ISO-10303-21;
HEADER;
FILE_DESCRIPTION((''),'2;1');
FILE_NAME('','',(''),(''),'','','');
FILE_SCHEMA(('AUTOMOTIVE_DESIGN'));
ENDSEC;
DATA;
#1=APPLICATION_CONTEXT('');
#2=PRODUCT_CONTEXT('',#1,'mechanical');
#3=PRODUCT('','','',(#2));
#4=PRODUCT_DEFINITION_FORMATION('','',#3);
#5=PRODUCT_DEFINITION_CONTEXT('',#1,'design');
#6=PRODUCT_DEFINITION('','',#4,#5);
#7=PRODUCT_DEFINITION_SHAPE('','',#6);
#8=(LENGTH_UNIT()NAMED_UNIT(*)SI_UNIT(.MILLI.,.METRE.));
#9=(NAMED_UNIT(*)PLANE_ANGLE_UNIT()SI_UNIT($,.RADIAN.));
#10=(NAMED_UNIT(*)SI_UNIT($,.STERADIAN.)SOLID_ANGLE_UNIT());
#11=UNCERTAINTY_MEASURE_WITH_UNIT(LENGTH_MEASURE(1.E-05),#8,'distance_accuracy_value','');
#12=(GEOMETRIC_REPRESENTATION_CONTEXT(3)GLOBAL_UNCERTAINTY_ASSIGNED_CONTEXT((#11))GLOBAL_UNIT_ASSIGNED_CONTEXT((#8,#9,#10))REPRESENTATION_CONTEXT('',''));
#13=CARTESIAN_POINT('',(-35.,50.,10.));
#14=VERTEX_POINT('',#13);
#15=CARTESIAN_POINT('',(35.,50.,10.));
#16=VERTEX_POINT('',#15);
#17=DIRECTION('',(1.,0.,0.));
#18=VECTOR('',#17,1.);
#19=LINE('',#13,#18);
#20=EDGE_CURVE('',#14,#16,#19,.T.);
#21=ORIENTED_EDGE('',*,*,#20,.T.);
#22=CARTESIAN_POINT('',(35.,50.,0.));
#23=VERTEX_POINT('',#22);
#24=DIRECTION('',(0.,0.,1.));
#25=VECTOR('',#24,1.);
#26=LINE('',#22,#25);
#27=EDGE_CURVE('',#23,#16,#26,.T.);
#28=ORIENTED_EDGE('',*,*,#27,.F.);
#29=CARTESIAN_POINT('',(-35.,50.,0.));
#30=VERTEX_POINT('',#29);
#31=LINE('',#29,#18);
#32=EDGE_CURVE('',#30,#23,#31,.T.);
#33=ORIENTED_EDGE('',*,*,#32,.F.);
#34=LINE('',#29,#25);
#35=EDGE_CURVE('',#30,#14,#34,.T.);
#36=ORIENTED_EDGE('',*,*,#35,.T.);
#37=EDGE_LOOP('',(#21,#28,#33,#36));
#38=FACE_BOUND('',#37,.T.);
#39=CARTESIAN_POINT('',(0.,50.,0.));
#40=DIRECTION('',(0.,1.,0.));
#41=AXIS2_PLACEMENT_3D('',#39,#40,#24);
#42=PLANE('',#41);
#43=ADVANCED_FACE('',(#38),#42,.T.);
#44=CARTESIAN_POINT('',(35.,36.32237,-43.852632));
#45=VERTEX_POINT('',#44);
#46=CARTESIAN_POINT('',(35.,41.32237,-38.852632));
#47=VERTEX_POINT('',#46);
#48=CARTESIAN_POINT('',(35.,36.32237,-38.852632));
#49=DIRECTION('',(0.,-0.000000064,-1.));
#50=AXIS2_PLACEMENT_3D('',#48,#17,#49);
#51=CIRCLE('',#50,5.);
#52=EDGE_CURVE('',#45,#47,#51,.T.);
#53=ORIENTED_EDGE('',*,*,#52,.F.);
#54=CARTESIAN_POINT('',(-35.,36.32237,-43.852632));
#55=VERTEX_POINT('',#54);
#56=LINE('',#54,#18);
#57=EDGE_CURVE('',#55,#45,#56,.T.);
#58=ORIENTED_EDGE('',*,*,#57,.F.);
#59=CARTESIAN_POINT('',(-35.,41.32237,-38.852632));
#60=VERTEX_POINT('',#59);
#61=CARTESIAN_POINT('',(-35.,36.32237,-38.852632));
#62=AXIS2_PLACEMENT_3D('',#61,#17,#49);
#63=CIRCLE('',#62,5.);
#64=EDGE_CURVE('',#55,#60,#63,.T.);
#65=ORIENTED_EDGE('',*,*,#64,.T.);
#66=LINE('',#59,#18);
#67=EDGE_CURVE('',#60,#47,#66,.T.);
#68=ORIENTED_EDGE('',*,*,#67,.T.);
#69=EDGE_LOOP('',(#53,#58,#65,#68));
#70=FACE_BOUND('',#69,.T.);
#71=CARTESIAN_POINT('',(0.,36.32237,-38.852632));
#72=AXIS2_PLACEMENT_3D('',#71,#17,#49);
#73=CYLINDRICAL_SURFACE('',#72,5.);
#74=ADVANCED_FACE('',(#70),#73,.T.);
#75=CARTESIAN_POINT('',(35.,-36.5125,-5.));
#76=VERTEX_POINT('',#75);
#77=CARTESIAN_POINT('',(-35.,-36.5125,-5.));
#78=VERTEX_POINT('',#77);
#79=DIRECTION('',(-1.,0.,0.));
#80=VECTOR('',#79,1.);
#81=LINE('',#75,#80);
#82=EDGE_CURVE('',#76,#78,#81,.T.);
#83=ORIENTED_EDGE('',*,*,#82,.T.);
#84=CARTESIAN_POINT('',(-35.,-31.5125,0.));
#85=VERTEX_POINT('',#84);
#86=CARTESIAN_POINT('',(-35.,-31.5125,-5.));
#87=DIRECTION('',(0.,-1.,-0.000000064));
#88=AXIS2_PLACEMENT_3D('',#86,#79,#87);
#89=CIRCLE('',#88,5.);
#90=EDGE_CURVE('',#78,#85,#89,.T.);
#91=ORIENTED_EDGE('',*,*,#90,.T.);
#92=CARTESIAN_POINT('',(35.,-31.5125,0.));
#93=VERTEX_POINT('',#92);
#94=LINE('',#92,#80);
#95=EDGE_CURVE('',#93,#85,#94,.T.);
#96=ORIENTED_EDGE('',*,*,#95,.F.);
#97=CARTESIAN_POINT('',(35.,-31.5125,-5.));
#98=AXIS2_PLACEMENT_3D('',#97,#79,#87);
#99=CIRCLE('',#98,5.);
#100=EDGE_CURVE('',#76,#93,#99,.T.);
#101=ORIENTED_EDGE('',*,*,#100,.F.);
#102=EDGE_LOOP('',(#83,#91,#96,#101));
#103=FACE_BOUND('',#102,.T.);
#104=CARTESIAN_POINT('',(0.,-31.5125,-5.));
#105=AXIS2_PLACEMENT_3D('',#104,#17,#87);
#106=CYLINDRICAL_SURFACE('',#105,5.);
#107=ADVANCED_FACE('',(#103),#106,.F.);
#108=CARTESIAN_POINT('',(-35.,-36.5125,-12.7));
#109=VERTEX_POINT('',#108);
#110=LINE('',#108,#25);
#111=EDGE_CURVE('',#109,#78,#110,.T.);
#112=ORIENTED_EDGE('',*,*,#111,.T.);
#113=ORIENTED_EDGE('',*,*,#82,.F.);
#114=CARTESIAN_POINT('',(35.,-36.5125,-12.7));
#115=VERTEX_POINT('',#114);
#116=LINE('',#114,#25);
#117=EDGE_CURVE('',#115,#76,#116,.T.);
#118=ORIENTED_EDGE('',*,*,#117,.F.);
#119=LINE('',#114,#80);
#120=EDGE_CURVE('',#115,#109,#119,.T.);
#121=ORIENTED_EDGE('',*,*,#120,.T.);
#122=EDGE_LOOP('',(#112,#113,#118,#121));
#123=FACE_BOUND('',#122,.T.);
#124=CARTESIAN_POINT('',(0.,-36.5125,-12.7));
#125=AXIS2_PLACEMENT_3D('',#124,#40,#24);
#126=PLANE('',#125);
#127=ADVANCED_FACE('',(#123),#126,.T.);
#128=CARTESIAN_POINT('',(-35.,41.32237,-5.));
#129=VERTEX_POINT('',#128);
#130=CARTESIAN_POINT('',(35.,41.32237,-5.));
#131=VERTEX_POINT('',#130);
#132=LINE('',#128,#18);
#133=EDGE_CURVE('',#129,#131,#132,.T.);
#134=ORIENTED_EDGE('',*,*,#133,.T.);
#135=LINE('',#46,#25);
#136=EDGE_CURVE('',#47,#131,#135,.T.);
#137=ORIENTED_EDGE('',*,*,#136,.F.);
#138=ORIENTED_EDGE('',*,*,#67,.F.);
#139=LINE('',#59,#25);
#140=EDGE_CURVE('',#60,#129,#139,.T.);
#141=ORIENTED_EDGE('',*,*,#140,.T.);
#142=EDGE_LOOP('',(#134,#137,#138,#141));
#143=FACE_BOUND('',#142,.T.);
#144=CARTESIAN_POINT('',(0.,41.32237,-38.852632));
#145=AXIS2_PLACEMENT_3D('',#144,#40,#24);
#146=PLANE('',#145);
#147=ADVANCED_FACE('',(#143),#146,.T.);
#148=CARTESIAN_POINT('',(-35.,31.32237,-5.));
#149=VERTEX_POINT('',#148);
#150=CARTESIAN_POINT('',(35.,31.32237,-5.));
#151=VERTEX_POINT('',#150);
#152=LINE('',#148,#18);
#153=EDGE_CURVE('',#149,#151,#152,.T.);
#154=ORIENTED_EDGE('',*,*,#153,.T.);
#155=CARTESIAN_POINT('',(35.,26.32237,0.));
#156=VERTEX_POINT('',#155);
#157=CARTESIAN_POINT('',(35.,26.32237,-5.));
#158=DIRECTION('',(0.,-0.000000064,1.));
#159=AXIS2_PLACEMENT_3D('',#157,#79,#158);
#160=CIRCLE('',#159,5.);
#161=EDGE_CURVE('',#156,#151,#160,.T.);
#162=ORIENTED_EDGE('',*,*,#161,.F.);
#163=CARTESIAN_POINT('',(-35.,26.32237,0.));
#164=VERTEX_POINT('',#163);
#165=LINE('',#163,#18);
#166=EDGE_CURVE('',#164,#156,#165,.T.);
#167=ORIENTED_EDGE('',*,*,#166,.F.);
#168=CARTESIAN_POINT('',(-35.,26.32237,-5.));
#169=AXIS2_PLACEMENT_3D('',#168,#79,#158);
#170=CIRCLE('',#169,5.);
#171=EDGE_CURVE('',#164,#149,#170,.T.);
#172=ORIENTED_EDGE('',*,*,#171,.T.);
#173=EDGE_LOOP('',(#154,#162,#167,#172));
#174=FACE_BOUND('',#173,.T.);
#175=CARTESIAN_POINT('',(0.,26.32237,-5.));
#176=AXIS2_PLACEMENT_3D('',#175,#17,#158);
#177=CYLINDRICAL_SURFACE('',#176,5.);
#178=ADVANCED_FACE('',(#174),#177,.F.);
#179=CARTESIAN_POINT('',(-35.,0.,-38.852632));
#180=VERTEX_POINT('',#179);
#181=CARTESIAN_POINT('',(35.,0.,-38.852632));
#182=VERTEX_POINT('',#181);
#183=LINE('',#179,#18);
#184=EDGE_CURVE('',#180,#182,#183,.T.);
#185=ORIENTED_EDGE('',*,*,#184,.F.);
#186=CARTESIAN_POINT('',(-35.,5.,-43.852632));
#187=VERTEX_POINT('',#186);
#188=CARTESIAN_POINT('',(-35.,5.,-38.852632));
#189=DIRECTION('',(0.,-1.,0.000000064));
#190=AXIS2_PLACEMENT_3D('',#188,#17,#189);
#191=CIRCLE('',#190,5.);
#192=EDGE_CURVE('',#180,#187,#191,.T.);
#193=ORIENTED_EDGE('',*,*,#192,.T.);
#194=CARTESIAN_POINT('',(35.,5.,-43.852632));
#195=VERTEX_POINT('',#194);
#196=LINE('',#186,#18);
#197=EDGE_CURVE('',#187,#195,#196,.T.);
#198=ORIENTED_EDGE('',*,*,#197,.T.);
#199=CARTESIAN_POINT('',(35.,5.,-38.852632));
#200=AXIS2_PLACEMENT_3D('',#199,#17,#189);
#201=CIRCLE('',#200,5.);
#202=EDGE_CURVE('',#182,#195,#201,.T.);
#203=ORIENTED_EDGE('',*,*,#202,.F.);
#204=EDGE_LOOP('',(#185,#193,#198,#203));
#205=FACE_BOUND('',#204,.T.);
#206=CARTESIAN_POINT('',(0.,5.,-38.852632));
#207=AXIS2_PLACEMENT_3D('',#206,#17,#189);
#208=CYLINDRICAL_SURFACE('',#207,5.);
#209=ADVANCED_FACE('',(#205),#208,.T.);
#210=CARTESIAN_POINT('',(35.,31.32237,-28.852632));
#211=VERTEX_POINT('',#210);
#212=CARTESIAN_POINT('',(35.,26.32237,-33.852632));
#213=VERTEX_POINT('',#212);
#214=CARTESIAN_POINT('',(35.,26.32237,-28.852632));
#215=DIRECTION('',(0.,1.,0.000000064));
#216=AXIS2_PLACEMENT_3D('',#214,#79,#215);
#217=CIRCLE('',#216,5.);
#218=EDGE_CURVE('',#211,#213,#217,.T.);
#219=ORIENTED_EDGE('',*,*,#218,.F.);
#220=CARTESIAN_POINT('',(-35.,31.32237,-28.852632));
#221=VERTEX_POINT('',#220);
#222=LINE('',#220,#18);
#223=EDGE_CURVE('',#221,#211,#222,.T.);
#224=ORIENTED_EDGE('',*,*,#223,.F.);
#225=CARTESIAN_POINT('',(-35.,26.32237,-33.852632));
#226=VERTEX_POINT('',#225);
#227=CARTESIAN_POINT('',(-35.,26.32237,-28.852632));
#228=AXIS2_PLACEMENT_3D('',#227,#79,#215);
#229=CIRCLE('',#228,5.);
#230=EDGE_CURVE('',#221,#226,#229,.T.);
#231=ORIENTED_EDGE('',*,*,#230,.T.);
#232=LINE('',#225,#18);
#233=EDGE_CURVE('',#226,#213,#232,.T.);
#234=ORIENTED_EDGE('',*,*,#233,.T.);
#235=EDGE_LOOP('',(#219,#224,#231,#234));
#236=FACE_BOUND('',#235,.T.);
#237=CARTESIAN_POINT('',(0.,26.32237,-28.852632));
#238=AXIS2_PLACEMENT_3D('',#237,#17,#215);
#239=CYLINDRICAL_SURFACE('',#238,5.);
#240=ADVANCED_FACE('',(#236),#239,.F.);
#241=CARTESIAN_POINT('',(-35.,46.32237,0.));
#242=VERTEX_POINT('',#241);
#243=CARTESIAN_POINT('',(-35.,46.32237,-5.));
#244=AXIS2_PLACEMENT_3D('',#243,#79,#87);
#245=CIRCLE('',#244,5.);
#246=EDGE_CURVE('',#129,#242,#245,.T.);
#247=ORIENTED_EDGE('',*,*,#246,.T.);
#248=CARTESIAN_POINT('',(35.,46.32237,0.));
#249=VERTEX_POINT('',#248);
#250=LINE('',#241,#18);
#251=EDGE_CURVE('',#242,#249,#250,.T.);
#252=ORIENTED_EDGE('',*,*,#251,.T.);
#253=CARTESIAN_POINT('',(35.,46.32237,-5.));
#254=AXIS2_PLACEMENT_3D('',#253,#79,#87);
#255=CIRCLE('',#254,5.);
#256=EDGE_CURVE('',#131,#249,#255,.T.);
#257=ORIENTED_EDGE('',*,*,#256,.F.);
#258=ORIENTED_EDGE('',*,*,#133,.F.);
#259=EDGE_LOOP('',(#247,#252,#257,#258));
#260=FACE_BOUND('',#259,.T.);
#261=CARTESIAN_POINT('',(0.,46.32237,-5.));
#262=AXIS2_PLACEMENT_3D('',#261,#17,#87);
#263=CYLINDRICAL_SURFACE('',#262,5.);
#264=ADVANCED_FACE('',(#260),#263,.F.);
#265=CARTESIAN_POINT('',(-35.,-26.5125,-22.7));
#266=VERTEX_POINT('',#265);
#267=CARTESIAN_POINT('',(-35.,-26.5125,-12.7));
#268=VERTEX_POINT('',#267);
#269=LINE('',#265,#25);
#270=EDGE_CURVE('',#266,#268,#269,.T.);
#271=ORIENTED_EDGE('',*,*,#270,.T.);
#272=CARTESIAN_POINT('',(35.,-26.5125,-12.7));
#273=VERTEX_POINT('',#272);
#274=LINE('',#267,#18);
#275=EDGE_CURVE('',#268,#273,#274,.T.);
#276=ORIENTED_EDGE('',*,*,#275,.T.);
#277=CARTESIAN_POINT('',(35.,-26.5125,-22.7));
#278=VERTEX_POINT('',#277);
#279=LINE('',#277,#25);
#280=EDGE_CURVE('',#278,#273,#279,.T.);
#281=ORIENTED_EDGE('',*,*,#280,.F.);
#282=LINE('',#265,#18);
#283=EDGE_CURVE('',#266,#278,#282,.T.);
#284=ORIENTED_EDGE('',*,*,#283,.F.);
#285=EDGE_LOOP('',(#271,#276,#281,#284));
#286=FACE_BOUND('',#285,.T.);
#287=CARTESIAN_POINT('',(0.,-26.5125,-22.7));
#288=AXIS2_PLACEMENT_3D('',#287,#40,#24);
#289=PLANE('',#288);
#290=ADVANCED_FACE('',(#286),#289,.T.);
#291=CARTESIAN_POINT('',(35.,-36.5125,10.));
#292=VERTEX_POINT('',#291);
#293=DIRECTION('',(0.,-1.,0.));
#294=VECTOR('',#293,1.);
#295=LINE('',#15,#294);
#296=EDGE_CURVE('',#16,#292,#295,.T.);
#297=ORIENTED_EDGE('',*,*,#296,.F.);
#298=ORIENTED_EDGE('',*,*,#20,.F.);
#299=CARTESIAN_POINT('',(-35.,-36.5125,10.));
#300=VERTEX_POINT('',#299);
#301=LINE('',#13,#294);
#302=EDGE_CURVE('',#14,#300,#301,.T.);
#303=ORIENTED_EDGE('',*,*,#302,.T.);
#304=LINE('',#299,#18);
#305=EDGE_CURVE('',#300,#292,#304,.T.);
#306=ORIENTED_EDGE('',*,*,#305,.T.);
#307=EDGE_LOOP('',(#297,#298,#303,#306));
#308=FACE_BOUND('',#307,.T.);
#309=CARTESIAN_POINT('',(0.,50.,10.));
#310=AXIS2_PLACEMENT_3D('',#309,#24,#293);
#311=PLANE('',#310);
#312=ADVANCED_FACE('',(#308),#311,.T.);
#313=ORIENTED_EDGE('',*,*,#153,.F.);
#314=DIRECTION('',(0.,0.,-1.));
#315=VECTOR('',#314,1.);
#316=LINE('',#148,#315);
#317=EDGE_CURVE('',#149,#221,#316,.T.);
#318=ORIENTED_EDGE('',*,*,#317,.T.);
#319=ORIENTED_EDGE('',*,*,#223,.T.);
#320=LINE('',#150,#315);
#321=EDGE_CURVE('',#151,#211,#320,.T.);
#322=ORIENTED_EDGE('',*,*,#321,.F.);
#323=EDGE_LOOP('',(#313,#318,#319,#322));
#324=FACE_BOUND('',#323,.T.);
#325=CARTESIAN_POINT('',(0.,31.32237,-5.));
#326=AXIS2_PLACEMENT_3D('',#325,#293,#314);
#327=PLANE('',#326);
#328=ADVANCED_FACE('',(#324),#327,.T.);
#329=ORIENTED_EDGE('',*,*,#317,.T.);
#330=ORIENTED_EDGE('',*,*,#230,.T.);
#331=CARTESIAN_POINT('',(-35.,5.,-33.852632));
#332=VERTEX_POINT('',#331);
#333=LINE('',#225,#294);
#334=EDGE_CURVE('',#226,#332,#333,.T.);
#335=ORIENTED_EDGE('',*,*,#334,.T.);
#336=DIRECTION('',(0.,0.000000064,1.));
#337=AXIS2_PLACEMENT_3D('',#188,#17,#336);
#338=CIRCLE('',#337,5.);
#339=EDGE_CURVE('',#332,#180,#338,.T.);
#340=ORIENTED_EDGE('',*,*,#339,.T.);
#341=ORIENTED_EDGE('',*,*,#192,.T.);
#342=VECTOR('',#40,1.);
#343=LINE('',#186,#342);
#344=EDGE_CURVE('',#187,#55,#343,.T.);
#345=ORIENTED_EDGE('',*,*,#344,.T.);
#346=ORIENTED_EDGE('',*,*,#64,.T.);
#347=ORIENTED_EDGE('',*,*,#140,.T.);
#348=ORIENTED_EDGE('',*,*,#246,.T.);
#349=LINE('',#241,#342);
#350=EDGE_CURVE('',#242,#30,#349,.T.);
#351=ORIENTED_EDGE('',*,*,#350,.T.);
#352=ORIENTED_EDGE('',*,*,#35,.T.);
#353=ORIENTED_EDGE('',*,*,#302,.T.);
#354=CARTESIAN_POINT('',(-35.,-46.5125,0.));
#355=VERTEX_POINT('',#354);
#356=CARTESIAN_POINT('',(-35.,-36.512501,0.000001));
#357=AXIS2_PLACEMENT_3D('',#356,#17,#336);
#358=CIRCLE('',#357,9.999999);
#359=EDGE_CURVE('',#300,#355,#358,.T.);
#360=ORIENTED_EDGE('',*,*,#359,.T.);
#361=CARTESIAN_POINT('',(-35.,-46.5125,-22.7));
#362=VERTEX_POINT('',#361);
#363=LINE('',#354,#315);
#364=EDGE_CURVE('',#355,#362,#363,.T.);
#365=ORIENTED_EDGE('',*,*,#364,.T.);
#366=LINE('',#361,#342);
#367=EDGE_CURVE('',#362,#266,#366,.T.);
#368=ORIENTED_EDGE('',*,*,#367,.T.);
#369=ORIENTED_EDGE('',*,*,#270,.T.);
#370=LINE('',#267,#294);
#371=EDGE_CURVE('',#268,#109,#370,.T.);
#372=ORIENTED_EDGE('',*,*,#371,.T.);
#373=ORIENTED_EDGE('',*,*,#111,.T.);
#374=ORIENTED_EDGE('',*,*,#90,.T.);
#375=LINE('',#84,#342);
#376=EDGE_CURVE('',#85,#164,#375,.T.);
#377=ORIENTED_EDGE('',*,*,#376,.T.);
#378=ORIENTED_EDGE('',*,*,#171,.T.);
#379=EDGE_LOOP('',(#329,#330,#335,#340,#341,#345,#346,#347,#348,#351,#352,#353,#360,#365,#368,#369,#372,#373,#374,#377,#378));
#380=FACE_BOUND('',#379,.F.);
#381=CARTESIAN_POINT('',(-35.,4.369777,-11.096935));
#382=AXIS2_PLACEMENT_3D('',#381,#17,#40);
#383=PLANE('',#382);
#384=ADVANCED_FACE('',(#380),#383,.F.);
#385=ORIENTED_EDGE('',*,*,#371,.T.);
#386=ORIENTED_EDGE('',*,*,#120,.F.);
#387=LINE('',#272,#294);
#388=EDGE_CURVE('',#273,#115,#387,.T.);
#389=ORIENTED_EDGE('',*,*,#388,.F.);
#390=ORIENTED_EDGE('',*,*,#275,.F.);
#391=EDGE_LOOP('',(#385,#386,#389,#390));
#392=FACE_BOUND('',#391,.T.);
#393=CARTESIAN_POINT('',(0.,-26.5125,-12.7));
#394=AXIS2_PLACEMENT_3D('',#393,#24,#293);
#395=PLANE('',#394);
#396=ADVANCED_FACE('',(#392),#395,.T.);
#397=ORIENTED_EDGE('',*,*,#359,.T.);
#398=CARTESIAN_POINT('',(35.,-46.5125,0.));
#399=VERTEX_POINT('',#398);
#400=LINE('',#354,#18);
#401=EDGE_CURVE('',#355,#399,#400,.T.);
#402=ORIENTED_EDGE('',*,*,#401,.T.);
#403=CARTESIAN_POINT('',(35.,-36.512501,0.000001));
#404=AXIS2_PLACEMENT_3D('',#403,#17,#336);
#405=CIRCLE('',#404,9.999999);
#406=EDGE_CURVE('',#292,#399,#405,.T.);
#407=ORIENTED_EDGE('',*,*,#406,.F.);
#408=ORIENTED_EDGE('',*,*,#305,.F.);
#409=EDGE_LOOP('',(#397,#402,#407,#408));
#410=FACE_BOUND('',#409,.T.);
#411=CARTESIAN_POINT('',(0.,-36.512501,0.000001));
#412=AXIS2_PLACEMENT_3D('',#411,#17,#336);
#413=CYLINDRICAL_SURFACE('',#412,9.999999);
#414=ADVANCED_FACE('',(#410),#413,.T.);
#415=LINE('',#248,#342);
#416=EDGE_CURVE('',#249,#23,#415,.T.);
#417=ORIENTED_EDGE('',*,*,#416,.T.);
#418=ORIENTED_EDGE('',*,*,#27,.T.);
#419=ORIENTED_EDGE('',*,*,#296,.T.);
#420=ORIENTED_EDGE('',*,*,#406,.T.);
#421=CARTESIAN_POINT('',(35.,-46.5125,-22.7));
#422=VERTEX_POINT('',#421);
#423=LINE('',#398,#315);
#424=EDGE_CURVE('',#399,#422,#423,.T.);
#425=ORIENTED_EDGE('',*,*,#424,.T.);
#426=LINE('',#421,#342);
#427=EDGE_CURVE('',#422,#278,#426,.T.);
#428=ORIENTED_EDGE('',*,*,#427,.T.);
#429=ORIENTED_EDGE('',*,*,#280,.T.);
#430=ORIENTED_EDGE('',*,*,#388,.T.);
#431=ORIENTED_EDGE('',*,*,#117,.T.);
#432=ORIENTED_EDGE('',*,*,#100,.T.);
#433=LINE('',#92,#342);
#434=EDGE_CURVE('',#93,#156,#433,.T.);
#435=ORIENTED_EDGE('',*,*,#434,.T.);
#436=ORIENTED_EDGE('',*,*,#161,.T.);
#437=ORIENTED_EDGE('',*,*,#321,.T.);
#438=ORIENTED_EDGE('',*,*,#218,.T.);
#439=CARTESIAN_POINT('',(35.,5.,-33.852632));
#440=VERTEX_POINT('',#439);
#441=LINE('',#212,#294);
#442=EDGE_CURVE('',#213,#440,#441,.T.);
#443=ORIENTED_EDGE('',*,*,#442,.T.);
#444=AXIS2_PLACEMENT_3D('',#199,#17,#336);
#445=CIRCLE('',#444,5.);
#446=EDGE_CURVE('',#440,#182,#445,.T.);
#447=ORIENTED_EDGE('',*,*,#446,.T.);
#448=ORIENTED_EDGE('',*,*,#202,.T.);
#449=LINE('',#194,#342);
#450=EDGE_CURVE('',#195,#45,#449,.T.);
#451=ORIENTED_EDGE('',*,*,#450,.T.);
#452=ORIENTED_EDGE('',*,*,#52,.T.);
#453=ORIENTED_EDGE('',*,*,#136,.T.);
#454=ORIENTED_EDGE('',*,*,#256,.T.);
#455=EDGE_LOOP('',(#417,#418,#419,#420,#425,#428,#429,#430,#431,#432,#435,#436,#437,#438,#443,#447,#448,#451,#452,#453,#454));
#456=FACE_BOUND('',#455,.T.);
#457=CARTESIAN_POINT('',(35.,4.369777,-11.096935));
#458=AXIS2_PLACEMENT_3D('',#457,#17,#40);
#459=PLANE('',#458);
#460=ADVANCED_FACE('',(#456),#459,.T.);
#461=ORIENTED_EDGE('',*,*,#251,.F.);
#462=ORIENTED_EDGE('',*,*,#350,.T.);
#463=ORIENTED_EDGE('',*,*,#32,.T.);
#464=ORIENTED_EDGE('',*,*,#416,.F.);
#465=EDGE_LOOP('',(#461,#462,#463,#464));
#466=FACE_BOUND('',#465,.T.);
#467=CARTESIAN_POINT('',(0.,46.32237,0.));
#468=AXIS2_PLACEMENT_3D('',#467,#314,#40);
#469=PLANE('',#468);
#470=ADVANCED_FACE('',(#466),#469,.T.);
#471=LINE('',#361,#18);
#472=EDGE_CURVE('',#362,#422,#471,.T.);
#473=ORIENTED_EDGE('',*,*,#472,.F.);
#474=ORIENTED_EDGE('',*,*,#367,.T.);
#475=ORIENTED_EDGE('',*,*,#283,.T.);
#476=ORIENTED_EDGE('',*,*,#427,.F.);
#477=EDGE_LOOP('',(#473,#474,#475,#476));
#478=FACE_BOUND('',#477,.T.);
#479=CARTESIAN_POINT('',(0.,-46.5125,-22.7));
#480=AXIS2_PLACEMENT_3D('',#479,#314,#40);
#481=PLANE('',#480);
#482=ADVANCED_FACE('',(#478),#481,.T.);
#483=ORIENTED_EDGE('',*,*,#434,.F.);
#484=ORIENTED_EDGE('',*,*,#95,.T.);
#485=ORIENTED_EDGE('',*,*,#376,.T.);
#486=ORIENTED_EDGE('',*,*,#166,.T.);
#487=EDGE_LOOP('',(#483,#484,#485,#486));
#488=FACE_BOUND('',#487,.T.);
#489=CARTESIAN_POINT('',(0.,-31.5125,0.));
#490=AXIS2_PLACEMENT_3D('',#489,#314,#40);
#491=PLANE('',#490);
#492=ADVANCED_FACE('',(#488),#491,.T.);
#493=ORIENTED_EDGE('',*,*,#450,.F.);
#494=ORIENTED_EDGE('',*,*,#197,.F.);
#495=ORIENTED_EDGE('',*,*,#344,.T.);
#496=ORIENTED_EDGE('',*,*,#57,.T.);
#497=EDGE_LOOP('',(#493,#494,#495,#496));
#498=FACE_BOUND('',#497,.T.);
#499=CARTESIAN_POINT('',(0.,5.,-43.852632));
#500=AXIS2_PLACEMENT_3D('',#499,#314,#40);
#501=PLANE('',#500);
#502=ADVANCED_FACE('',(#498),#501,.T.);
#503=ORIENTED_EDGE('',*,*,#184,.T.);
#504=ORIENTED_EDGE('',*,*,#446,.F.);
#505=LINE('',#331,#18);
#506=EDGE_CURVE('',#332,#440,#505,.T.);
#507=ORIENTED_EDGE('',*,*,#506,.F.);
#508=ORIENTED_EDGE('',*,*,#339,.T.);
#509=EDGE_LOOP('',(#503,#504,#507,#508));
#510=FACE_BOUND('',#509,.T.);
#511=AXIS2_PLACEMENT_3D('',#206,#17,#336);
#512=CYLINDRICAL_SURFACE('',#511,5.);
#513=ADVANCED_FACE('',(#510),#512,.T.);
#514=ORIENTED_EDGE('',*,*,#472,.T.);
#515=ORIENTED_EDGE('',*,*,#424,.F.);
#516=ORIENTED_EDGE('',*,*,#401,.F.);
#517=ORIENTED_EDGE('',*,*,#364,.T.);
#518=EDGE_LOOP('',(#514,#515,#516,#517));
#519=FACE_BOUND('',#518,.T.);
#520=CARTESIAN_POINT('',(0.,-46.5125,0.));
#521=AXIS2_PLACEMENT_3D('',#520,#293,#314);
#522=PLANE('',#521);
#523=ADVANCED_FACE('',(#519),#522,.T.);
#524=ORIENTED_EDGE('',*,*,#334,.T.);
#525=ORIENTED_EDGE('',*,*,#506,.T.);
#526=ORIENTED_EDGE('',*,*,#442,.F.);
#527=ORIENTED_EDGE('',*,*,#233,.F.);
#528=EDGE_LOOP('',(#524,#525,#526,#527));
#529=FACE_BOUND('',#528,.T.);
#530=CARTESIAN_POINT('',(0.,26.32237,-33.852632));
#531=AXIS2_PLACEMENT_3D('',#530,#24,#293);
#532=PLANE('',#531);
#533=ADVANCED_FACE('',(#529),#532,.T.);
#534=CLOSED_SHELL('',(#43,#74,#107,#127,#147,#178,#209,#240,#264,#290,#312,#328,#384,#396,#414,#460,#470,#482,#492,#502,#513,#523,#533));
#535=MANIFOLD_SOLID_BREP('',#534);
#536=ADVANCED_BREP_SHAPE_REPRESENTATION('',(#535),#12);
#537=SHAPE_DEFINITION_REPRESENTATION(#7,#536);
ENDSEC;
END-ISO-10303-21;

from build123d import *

# Parameters (mm, degrees)
F1_DEPTH = 35


with BuildPart() as f1:
    # F0 (on Right) → F1 (new body, symmetric)
    with BuildSketch(Plane.YZ):
        with BuildLine():
            Line((-31.5125, 0), (26.32237, 0))
            ThreePointArc((26.32237, 0), (29.857904, -1.464466), (31.32237, -5))
            Line((31.32237, -5), (31.32237, -28.852632))
            ThreePointArc((31.32237, -28.852632), (29.857904, -32.388166), (26.32237, -33.852632))
            Line((26.32237, -33.852632), (5, -33.852632))
            ThreePointArc((5, -33.852632), (1.464466, -35.317098), (0, -38.852632))
            ThreePointArc((0, -38.852632), (1.464466, -42.388166), (5, -43.852632))
            Line((5, -43.852632), (36.32237, -43.852632))
            ThreePointArc((36.32237, -43.852632), (39.857904, -42.388166), (41.32237, -38.852632))
            Line((41.32237, -38.852632), (41.32237, -5))
            ThreePointArc((41.32237, -5), (42.786836, -1.464466), (46.32237, 0))
            Line((46.32237, 0), (50, 0))
            Line((50, 0), (50, 10))
            Line((50, 10), (-36.5125, 10))
            ThreePointArc((-36.5125, 10), (-43.583568, 7.071068), (-46.5125, 0))
            Line((-46.5125, 0), (-46.5125, -22.7))
            Line((-46.5125, -22.7), (-26.5125, -22.7))
            Line((-26.5125, -22.7), (-26.5125, -12.7))
            Line((-26.5125, -12.7), (-36.5125, -12.7))
            Line((-36.5125, -12.7), (-36.5125, -5))
            ThreePointArc((-36.5125, -5), (-35.048034, -1.464466), (-31.5125, 0))
        make_face()
    extrude(amount=F1_DEPTH, both=True)


solid = f1.part
